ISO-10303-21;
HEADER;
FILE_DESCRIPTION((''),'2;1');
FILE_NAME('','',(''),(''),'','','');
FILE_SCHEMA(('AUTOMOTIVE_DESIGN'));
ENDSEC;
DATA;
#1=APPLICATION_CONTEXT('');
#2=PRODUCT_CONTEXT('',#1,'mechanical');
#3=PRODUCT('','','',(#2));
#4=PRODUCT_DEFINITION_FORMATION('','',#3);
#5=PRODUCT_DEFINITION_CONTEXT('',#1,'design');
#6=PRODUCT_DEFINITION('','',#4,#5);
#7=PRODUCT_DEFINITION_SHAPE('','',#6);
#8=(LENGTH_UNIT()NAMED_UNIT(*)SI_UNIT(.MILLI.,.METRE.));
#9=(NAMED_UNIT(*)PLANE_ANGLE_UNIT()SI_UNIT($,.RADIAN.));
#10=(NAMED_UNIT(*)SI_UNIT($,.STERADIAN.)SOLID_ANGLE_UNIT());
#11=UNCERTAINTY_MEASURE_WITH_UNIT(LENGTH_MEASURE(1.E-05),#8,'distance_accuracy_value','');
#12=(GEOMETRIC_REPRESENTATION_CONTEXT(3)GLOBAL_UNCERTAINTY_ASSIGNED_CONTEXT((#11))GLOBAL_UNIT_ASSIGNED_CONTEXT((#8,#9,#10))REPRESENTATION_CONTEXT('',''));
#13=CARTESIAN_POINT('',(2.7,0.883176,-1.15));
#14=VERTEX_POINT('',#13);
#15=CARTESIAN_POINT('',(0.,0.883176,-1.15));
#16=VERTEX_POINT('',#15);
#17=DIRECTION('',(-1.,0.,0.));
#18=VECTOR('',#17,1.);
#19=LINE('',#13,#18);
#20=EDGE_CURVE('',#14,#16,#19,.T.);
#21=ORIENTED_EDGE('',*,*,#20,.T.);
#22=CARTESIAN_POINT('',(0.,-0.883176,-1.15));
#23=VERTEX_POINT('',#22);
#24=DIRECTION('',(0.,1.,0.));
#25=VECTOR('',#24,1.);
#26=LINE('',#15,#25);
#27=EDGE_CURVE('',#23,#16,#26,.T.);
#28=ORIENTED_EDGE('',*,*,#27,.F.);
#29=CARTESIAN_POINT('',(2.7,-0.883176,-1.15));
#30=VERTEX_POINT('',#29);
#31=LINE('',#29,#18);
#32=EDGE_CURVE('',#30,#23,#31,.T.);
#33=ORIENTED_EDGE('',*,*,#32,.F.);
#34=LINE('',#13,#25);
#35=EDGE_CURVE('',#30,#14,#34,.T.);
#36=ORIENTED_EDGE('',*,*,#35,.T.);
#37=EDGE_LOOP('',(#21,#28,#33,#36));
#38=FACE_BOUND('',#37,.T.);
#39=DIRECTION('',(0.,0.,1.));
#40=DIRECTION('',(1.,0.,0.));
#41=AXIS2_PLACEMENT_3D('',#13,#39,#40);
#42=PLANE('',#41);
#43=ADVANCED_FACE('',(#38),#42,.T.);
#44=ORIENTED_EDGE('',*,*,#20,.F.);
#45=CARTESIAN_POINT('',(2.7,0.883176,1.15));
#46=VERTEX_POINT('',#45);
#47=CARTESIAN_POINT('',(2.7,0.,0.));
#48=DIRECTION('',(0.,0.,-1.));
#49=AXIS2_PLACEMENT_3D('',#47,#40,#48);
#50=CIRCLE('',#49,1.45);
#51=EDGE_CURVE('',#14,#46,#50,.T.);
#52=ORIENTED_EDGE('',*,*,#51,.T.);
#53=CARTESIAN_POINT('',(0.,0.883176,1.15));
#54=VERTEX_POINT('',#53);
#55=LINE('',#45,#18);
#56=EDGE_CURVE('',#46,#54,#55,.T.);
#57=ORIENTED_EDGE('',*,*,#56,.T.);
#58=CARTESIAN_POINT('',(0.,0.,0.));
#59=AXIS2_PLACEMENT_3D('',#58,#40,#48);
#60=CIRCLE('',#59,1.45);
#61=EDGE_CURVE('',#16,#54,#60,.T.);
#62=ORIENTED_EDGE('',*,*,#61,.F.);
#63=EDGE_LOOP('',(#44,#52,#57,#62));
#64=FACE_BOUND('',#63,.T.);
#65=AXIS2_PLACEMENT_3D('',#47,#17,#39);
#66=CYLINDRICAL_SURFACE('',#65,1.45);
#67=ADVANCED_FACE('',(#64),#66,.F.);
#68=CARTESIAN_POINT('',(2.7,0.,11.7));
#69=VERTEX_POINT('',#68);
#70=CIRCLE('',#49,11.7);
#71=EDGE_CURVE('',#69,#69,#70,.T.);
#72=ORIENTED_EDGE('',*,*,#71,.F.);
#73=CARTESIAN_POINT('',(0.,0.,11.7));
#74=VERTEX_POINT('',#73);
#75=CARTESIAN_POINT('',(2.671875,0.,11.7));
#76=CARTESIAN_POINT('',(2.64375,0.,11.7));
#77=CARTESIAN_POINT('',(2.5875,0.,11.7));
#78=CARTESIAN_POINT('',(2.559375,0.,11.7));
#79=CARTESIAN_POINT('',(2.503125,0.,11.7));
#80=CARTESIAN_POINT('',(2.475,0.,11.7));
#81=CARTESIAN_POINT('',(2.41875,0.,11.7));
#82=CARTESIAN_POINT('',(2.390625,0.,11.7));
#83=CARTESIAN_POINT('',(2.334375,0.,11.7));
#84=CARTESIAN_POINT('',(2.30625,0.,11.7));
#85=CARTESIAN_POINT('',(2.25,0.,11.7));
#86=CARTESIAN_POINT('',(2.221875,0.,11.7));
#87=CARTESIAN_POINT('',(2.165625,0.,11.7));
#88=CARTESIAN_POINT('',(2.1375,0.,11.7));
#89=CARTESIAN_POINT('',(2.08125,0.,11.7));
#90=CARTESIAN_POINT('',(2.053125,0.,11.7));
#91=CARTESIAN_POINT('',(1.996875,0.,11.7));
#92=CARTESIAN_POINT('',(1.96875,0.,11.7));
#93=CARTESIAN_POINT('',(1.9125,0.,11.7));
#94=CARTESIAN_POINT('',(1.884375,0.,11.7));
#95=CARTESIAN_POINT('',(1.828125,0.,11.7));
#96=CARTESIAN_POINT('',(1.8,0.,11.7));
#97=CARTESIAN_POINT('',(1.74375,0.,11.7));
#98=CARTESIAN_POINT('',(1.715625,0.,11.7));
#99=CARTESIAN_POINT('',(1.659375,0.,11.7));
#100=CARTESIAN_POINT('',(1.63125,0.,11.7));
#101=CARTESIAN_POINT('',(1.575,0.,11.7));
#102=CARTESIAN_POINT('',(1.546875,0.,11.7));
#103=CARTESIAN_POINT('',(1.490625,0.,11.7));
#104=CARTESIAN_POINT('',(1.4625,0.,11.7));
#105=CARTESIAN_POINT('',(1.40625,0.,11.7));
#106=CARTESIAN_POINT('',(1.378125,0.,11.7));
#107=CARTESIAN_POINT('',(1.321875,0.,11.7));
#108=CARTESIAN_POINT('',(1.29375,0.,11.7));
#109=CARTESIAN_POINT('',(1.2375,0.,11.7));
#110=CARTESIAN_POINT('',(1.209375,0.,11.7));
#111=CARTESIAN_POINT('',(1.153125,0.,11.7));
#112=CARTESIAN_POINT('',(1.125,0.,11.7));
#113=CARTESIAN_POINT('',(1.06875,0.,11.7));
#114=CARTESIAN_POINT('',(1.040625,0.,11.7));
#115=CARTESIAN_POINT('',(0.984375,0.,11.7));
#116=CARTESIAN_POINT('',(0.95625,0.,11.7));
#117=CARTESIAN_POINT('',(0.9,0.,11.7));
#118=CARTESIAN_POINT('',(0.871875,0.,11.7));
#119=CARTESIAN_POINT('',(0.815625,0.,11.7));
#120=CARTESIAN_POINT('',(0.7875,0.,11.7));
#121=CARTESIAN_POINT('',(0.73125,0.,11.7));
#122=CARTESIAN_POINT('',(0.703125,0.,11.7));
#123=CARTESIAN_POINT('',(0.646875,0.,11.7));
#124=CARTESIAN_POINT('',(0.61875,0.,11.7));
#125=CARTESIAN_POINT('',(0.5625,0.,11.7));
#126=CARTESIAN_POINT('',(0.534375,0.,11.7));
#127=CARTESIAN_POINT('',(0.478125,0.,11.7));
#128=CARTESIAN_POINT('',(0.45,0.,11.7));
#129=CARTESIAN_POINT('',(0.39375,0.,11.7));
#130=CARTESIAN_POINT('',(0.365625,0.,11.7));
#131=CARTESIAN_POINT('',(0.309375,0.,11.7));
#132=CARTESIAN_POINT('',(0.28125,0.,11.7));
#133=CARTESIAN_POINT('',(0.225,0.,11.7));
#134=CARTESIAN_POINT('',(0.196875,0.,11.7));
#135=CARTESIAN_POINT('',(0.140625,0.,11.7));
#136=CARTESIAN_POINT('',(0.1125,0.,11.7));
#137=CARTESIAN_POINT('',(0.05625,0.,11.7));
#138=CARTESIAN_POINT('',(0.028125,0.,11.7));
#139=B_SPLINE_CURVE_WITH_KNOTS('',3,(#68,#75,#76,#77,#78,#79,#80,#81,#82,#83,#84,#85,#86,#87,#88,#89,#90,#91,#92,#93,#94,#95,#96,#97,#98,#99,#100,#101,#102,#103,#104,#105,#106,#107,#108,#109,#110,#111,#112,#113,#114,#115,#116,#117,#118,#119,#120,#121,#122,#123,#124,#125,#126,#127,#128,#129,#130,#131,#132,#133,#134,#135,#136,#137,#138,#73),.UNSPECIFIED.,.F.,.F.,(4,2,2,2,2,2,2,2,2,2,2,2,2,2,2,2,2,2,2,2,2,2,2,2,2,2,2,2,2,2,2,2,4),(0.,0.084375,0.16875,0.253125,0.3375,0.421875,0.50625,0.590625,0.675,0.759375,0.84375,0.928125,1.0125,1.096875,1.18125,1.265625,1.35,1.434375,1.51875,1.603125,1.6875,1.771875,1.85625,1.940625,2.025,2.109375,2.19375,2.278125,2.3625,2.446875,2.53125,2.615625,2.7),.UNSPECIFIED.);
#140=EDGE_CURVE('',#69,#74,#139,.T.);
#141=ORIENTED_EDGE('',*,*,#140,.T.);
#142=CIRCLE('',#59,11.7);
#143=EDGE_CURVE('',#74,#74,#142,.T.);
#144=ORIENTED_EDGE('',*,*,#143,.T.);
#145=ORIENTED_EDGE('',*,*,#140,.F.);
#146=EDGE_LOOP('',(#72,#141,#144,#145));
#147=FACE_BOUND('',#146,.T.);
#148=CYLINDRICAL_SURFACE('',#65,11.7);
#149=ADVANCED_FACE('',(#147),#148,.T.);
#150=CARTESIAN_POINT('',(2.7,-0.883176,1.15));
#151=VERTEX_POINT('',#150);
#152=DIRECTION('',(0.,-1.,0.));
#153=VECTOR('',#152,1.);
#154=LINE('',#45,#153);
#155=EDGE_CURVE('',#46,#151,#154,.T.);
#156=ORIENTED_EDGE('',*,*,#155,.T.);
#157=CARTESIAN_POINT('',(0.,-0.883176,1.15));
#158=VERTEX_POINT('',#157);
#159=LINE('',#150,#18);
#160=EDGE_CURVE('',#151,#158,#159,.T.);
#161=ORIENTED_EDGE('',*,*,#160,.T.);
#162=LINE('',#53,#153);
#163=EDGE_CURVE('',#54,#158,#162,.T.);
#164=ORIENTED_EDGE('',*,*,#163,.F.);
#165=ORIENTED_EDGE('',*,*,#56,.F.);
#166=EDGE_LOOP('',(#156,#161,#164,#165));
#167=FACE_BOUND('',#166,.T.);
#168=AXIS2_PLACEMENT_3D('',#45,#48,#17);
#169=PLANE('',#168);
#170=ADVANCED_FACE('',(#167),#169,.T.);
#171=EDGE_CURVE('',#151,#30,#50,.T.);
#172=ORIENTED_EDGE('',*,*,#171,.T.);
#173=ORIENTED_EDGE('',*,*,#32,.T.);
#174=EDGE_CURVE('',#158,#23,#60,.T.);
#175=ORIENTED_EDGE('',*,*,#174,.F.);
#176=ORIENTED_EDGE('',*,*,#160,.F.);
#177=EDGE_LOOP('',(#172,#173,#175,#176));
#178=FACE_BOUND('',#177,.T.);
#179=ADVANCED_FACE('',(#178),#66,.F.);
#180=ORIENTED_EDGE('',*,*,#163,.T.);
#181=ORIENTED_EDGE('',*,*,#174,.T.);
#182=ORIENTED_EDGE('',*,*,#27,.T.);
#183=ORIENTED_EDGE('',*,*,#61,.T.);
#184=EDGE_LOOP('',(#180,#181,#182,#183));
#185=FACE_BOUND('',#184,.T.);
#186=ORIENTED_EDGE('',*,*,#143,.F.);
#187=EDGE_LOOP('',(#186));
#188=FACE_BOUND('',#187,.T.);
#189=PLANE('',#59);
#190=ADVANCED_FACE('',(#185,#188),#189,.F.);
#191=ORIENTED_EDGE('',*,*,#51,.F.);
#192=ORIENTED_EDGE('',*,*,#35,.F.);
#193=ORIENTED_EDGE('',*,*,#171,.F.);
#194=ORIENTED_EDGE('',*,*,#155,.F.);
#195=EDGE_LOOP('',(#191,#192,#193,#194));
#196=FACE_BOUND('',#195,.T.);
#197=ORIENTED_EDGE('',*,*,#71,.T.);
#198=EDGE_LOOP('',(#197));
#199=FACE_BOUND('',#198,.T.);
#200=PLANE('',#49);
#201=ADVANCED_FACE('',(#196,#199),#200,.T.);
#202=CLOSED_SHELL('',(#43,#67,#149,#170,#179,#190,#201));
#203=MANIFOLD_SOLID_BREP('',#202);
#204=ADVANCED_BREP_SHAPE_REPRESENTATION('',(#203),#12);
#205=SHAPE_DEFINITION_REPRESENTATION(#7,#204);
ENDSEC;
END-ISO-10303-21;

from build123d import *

# Parameters (mm, degrees)
SKETCH1_R  = 11.7
BASE_DEPTH = 2.7


with BuildPart() as part:
    # Sketch1 → Base (new body)
    with BuildSketch(Plane(origin=(0, 0, 0), x_dir=(0, 0, -1), z_dir=(1, 0, 0))):
        with Locations(Location((0, 0, 0), (0, 0, 180))):
            Circle(SKETCH1_R)
        with BuildLine():
            Line((1.15, 0.883176087), (1.15, -0.883176087))
            ThreePointArc((1.15, -0.883176087), (0, -1.45), (-1.15, -0.883176087))
            Line((-1.15, -0.883176087), (-1.15, 0.883176087))
            ThreePointArc((-1.15, 0.883176087), (0, 1.45), (1.15, 0.883176087))
        make_face(mode=Mode.SUBTRACT)
    extrude(amount=BASE_DEPTH)


solid = part.part
